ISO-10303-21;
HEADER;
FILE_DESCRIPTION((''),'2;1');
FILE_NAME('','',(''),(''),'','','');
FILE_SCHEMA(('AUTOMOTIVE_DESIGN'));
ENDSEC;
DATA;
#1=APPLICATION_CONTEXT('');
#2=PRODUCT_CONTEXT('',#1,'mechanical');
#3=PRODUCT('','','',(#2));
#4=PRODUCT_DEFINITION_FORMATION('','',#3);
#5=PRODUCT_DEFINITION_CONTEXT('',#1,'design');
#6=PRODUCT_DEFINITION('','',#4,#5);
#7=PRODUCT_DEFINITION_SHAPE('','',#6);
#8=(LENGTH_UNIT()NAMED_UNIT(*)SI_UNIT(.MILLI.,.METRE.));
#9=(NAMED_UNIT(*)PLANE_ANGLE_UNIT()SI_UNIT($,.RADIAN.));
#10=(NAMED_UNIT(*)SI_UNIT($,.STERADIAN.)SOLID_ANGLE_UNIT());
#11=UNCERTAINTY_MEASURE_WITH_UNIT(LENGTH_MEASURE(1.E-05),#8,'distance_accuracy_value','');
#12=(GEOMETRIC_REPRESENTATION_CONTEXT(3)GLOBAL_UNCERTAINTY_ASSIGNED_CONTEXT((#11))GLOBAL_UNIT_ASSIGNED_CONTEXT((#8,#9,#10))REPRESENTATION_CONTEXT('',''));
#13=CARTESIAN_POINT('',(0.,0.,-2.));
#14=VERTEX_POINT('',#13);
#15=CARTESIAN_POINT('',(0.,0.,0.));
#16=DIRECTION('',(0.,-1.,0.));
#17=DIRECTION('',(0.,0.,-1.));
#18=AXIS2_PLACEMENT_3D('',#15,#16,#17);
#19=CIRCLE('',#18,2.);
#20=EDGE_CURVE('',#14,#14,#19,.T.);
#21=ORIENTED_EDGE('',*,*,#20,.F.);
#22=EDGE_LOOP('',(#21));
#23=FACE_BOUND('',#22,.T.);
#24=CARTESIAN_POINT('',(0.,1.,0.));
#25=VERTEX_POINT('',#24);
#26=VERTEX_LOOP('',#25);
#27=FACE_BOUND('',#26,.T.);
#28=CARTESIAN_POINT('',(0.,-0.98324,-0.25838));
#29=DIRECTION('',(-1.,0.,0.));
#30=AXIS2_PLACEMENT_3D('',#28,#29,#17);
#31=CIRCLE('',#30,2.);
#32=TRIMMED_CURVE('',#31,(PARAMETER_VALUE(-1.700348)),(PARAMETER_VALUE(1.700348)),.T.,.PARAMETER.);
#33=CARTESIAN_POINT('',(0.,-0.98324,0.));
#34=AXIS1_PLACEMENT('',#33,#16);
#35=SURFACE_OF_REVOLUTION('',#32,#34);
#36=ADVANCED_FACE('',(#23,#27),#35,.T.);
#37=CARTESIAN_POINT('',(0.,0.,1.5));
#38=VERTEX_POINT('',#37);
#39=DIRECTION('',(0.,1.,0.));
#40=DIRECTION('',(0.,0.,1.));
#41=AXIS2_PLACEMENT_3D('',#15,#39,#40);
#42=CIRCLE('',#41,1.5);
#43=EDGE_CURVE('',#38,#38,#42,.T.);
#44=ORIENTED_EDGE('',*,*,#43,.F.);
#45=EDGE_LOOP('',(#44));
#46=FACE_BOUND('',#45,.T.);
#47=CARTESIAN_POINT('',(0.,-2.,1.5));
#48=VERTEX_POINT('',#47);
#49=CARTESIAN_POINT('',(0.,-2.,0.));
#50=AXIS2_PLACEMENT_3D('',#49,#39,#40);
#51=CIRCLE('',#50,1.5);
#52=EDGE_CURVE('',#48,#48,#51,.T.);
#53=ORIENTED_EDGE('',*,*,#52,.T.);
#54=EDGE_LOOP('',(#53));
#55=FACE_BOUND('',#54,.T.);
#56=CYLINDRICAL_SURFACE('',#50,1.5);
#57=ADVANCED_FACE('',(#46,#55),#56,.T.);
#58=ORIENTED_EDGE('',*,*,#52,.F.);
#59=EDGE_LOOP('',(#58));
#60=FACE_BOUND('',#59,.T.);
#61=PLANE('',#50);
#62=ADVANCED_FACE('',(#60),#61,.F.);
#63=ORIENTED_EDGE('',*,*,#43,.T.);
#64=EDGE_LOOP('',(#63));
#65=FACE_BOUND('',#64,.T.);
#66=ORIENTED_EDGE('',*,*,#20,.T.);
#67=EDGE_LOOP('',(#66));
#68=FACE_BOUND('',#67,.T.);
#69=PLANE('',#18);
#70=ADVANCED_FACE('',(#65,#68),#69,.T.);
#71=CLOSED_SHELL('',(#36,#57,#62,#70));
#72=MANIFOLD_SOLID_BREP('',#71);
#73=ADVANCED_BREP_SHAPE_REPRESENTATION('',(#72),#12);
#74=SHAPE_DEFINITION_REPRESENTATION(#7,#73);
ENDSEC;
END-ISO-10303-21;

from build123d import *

# Parameters (mm, degrees)
SKETCH1_R           = 1.5
BOSS_EXTRUDE1_DEPTH = 2


with BuildPart() as part:
    # Sketch1 → Boss-Extrude1 (new body)
    with BuildSketch(Plane(origin=(0, 0, 0), x_dir=(1, 0, 0), z_dir=(0, 1, 0))):
        with Locations(Location((0, 0, 0), (0, 0, 270))):
            Circle(SKETCH1_R)
    extrude(amount=-BOSS_EXTRUDE1_DEPTH)

    # Sketch3 → Revolve1 (revolve)
    with BuildSketch(Plane.XY):
        with BuildLine():
            Line((0, 0), (2, 0))
            ThreePointArc((2, 0), (1.152807342, 0.805614685), (0, 1))
            Line((0, 1), (0, 0))
        make_face()
    revolve(axis=Axis((0, 0, 0), (0, 1, 0)))


solid = part.part
